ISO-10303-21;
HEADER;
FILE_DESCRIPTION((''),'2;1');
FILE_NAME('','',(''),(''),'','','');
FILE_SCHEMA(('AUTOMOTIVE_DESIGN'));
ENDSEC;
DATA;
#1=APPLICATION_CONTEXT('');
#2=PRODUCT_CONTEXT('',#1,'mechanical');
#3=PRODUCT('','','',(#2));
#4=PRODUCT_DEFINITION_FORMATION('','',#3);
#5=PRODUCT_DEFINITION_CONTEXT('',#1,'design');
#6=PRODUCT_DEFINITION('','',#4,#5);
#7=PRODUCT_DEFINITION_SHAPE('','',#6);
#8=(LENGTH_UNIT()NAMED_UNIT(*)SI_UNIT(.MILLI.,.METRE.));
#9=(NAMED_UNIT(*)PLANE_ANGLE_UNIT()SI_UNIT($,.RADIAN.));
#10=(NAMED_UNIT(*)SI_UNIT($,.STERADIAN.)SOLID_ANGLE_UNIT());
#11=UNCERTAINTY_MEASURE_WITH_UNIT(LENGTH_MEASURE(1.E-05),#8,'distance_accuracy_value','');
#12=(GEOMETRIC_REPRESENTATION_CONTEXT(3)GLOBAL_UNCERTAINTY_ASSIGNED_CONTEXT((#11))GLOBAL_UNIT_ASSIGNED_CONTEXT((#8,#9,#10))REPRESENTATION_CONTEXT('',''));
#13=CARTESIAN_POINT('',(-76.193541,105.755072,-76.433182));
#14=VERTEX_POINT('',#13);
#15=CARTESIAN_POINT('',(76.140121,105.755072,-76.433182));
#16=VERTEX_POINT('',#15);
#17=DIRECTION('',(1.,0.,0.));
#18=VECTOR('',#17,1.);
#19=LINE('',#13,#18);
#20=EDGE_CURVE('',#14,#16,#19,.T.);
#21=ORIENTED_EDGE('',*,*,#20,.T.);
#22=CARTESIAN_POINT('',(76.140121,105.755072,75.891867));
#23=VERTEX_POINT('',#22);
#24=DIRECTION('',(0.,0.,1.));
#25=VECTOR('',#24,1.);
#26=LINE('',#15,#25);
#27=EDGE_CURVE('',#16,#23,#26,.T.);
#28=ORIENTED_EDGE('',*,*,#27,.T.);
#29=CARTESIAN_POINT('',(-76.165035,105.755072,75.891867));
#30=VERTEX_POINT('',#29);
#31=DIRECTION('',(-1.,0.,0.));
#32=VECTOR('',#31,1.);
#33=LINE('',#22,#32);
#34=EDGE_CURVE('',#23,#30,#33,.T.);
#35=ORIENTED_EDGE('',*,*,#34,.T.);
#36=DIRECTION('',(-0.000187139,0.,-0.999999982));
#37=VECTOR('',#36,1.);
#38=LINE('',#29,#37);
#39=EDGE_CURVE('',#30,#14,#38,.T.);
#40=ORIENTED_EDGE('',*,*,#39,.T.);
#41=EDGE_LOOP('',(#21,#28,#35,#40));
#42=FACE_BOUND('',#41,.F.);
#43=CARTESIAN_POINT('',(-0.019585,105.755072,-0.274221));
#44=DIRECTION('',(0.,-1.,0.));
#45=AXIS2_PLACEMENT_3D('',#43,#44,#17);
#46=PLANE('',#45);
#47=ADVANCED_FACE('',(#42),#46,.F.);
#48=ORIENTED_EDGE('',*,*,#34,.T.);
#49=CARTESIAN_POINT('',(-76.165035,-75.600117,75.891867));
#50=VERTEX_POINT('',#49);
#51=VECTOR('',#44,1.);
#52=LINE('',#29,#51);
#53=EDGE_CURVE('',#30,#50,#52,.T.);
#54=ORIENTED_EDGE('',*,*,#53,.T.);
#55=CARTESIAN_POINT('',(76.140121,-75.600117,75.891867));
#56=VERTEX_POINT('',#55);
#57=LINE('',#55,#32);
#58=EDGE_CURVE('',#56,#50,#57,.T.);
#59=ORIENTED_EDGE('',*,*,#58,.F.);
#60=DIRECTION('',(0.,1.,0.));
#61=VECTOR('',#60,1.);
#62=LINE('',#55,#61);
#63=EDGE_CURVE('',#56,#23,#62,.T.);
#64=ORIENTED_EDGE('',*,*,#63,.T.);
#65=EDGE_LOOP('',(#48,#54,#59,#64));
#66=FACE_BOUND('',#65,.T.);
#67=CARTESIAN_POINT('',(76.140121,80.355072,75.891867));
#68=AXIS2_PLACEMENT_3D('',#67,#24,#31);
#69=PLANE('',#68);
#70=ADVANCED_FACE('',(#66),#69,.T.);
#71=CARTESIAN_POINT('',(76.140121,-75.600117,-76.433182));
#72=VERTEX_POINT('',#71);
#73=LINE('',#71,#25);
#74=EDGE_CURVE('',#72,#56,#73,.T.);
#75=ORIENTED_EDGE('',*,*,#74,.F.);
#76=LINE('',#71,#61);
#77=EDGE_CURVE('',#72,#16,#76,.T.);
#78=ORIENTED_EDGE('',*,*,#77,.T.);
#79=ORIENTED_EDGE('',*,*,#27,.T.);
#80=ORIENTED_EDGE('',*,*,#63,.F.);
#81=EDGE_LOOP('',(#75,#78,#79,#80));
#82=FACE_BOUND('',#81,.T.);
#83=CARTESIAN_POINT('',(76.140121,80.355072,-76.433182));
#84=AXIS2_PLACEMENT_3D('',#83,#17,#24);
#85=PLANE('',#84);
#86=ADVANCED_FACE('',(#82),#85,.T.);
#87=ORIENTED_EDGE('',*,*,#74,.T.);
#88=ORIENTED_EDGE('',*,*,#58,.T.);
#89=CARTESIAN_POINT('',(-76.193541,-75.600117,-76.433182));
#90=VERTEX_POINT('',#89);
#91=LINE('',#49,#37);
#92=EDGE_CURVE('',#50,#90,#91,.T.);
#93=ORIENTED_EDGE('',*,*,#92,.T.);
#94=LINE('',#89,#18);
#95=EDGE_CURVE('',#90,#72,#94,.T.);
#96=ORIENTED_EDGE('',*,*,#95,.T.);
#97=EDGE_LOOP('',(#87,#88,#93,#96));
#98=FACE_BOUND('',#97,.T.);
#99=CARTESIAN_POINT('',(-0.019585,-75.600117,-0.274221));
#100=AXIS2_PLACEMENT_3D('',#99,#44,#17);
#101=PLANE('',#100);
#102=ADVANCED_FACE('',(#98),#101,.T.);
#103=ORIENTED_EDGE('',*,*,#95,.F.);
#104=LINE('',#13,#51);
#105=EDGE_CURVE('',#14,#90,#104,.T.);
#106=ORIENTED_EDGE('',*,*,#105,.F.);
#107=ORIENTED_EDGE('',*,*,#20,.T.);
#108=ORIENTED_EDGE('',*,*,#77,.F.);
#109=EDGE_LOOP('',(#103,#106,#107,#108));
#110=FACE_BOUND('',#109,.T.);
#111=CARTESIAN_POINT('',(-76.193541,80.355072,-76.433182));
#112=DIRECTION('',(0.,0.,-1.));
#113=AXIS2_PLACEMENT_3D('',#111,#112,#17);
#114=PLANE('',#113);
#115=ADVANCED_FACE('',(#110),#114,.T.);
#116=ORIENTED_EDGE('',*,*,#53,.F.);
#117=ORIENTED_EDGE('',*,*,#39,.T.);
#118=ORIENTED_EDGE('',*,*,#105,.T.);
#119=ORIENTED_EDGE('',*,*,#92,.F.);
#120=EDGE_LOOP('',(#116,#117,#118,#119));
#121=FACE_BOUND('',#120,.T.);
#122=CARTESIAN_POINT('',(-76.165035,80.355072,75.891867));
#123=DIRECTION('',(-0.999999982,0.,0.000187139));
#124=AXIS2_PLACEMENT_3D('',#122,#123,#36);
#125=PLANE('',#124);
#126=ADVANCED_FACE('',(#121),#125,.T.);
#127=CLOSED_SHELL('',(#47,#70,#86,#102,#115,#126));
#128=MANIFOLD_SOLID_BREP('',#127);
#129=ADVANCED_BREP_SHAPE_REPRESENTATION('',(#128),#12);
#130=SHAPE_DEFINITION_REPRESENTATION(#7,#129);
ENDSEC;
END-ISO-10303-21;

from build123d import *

# Parameters (mm, degrees)
F1_DEPTH = 75.4149332643
F2_DEPTH = 4.9401391298
F3_DEPTH = 75.600117445
F4_DEPTH = 25.4


with BuildPart() as f1:
    # F0 (on Front) → F1 (new body)
    with BuildSketch(Plane.XZ):
        Polygon((76.1401206255, 75.89186728), (-76.165035367, 75.89186728), (-76.1935412884, -76.4331817627), (76.1401206255, -76.4331817627), align=None)
    extrude(amount=-F1_DEPTH)

    # F2 (add): faces of the model
    f2_faces = [f1.faces().sort_by_distance(p)[0] for p in [
        (-0.0195840734, 75.4149332643, -0.2730328228),
        (-0.0195840734, 0, -0.2730328228),
    ]]
    extrude(f2_faces, amount=F2_DEPTH, dir=(0, 1, 0))

    # F3 (add): a face of the model
    f3_faces = [f1.faces().sort_by_distance(p)[0] for p in [
        (-0.0195840734, 0, -0.2730328228),
    ]]
    extrude(f3_faces, amount=F3_DEPTH)

    # F4 (add): a face of the model
    f4_faces = [f1.faces().sort_by_distance(p)[0] for p in [
        (-0.0195840734, 80.355072394, -0.2730328228),
    ]]
    extrude(f4_faces, amount=F4_DEPTH)


solid = f1.part
